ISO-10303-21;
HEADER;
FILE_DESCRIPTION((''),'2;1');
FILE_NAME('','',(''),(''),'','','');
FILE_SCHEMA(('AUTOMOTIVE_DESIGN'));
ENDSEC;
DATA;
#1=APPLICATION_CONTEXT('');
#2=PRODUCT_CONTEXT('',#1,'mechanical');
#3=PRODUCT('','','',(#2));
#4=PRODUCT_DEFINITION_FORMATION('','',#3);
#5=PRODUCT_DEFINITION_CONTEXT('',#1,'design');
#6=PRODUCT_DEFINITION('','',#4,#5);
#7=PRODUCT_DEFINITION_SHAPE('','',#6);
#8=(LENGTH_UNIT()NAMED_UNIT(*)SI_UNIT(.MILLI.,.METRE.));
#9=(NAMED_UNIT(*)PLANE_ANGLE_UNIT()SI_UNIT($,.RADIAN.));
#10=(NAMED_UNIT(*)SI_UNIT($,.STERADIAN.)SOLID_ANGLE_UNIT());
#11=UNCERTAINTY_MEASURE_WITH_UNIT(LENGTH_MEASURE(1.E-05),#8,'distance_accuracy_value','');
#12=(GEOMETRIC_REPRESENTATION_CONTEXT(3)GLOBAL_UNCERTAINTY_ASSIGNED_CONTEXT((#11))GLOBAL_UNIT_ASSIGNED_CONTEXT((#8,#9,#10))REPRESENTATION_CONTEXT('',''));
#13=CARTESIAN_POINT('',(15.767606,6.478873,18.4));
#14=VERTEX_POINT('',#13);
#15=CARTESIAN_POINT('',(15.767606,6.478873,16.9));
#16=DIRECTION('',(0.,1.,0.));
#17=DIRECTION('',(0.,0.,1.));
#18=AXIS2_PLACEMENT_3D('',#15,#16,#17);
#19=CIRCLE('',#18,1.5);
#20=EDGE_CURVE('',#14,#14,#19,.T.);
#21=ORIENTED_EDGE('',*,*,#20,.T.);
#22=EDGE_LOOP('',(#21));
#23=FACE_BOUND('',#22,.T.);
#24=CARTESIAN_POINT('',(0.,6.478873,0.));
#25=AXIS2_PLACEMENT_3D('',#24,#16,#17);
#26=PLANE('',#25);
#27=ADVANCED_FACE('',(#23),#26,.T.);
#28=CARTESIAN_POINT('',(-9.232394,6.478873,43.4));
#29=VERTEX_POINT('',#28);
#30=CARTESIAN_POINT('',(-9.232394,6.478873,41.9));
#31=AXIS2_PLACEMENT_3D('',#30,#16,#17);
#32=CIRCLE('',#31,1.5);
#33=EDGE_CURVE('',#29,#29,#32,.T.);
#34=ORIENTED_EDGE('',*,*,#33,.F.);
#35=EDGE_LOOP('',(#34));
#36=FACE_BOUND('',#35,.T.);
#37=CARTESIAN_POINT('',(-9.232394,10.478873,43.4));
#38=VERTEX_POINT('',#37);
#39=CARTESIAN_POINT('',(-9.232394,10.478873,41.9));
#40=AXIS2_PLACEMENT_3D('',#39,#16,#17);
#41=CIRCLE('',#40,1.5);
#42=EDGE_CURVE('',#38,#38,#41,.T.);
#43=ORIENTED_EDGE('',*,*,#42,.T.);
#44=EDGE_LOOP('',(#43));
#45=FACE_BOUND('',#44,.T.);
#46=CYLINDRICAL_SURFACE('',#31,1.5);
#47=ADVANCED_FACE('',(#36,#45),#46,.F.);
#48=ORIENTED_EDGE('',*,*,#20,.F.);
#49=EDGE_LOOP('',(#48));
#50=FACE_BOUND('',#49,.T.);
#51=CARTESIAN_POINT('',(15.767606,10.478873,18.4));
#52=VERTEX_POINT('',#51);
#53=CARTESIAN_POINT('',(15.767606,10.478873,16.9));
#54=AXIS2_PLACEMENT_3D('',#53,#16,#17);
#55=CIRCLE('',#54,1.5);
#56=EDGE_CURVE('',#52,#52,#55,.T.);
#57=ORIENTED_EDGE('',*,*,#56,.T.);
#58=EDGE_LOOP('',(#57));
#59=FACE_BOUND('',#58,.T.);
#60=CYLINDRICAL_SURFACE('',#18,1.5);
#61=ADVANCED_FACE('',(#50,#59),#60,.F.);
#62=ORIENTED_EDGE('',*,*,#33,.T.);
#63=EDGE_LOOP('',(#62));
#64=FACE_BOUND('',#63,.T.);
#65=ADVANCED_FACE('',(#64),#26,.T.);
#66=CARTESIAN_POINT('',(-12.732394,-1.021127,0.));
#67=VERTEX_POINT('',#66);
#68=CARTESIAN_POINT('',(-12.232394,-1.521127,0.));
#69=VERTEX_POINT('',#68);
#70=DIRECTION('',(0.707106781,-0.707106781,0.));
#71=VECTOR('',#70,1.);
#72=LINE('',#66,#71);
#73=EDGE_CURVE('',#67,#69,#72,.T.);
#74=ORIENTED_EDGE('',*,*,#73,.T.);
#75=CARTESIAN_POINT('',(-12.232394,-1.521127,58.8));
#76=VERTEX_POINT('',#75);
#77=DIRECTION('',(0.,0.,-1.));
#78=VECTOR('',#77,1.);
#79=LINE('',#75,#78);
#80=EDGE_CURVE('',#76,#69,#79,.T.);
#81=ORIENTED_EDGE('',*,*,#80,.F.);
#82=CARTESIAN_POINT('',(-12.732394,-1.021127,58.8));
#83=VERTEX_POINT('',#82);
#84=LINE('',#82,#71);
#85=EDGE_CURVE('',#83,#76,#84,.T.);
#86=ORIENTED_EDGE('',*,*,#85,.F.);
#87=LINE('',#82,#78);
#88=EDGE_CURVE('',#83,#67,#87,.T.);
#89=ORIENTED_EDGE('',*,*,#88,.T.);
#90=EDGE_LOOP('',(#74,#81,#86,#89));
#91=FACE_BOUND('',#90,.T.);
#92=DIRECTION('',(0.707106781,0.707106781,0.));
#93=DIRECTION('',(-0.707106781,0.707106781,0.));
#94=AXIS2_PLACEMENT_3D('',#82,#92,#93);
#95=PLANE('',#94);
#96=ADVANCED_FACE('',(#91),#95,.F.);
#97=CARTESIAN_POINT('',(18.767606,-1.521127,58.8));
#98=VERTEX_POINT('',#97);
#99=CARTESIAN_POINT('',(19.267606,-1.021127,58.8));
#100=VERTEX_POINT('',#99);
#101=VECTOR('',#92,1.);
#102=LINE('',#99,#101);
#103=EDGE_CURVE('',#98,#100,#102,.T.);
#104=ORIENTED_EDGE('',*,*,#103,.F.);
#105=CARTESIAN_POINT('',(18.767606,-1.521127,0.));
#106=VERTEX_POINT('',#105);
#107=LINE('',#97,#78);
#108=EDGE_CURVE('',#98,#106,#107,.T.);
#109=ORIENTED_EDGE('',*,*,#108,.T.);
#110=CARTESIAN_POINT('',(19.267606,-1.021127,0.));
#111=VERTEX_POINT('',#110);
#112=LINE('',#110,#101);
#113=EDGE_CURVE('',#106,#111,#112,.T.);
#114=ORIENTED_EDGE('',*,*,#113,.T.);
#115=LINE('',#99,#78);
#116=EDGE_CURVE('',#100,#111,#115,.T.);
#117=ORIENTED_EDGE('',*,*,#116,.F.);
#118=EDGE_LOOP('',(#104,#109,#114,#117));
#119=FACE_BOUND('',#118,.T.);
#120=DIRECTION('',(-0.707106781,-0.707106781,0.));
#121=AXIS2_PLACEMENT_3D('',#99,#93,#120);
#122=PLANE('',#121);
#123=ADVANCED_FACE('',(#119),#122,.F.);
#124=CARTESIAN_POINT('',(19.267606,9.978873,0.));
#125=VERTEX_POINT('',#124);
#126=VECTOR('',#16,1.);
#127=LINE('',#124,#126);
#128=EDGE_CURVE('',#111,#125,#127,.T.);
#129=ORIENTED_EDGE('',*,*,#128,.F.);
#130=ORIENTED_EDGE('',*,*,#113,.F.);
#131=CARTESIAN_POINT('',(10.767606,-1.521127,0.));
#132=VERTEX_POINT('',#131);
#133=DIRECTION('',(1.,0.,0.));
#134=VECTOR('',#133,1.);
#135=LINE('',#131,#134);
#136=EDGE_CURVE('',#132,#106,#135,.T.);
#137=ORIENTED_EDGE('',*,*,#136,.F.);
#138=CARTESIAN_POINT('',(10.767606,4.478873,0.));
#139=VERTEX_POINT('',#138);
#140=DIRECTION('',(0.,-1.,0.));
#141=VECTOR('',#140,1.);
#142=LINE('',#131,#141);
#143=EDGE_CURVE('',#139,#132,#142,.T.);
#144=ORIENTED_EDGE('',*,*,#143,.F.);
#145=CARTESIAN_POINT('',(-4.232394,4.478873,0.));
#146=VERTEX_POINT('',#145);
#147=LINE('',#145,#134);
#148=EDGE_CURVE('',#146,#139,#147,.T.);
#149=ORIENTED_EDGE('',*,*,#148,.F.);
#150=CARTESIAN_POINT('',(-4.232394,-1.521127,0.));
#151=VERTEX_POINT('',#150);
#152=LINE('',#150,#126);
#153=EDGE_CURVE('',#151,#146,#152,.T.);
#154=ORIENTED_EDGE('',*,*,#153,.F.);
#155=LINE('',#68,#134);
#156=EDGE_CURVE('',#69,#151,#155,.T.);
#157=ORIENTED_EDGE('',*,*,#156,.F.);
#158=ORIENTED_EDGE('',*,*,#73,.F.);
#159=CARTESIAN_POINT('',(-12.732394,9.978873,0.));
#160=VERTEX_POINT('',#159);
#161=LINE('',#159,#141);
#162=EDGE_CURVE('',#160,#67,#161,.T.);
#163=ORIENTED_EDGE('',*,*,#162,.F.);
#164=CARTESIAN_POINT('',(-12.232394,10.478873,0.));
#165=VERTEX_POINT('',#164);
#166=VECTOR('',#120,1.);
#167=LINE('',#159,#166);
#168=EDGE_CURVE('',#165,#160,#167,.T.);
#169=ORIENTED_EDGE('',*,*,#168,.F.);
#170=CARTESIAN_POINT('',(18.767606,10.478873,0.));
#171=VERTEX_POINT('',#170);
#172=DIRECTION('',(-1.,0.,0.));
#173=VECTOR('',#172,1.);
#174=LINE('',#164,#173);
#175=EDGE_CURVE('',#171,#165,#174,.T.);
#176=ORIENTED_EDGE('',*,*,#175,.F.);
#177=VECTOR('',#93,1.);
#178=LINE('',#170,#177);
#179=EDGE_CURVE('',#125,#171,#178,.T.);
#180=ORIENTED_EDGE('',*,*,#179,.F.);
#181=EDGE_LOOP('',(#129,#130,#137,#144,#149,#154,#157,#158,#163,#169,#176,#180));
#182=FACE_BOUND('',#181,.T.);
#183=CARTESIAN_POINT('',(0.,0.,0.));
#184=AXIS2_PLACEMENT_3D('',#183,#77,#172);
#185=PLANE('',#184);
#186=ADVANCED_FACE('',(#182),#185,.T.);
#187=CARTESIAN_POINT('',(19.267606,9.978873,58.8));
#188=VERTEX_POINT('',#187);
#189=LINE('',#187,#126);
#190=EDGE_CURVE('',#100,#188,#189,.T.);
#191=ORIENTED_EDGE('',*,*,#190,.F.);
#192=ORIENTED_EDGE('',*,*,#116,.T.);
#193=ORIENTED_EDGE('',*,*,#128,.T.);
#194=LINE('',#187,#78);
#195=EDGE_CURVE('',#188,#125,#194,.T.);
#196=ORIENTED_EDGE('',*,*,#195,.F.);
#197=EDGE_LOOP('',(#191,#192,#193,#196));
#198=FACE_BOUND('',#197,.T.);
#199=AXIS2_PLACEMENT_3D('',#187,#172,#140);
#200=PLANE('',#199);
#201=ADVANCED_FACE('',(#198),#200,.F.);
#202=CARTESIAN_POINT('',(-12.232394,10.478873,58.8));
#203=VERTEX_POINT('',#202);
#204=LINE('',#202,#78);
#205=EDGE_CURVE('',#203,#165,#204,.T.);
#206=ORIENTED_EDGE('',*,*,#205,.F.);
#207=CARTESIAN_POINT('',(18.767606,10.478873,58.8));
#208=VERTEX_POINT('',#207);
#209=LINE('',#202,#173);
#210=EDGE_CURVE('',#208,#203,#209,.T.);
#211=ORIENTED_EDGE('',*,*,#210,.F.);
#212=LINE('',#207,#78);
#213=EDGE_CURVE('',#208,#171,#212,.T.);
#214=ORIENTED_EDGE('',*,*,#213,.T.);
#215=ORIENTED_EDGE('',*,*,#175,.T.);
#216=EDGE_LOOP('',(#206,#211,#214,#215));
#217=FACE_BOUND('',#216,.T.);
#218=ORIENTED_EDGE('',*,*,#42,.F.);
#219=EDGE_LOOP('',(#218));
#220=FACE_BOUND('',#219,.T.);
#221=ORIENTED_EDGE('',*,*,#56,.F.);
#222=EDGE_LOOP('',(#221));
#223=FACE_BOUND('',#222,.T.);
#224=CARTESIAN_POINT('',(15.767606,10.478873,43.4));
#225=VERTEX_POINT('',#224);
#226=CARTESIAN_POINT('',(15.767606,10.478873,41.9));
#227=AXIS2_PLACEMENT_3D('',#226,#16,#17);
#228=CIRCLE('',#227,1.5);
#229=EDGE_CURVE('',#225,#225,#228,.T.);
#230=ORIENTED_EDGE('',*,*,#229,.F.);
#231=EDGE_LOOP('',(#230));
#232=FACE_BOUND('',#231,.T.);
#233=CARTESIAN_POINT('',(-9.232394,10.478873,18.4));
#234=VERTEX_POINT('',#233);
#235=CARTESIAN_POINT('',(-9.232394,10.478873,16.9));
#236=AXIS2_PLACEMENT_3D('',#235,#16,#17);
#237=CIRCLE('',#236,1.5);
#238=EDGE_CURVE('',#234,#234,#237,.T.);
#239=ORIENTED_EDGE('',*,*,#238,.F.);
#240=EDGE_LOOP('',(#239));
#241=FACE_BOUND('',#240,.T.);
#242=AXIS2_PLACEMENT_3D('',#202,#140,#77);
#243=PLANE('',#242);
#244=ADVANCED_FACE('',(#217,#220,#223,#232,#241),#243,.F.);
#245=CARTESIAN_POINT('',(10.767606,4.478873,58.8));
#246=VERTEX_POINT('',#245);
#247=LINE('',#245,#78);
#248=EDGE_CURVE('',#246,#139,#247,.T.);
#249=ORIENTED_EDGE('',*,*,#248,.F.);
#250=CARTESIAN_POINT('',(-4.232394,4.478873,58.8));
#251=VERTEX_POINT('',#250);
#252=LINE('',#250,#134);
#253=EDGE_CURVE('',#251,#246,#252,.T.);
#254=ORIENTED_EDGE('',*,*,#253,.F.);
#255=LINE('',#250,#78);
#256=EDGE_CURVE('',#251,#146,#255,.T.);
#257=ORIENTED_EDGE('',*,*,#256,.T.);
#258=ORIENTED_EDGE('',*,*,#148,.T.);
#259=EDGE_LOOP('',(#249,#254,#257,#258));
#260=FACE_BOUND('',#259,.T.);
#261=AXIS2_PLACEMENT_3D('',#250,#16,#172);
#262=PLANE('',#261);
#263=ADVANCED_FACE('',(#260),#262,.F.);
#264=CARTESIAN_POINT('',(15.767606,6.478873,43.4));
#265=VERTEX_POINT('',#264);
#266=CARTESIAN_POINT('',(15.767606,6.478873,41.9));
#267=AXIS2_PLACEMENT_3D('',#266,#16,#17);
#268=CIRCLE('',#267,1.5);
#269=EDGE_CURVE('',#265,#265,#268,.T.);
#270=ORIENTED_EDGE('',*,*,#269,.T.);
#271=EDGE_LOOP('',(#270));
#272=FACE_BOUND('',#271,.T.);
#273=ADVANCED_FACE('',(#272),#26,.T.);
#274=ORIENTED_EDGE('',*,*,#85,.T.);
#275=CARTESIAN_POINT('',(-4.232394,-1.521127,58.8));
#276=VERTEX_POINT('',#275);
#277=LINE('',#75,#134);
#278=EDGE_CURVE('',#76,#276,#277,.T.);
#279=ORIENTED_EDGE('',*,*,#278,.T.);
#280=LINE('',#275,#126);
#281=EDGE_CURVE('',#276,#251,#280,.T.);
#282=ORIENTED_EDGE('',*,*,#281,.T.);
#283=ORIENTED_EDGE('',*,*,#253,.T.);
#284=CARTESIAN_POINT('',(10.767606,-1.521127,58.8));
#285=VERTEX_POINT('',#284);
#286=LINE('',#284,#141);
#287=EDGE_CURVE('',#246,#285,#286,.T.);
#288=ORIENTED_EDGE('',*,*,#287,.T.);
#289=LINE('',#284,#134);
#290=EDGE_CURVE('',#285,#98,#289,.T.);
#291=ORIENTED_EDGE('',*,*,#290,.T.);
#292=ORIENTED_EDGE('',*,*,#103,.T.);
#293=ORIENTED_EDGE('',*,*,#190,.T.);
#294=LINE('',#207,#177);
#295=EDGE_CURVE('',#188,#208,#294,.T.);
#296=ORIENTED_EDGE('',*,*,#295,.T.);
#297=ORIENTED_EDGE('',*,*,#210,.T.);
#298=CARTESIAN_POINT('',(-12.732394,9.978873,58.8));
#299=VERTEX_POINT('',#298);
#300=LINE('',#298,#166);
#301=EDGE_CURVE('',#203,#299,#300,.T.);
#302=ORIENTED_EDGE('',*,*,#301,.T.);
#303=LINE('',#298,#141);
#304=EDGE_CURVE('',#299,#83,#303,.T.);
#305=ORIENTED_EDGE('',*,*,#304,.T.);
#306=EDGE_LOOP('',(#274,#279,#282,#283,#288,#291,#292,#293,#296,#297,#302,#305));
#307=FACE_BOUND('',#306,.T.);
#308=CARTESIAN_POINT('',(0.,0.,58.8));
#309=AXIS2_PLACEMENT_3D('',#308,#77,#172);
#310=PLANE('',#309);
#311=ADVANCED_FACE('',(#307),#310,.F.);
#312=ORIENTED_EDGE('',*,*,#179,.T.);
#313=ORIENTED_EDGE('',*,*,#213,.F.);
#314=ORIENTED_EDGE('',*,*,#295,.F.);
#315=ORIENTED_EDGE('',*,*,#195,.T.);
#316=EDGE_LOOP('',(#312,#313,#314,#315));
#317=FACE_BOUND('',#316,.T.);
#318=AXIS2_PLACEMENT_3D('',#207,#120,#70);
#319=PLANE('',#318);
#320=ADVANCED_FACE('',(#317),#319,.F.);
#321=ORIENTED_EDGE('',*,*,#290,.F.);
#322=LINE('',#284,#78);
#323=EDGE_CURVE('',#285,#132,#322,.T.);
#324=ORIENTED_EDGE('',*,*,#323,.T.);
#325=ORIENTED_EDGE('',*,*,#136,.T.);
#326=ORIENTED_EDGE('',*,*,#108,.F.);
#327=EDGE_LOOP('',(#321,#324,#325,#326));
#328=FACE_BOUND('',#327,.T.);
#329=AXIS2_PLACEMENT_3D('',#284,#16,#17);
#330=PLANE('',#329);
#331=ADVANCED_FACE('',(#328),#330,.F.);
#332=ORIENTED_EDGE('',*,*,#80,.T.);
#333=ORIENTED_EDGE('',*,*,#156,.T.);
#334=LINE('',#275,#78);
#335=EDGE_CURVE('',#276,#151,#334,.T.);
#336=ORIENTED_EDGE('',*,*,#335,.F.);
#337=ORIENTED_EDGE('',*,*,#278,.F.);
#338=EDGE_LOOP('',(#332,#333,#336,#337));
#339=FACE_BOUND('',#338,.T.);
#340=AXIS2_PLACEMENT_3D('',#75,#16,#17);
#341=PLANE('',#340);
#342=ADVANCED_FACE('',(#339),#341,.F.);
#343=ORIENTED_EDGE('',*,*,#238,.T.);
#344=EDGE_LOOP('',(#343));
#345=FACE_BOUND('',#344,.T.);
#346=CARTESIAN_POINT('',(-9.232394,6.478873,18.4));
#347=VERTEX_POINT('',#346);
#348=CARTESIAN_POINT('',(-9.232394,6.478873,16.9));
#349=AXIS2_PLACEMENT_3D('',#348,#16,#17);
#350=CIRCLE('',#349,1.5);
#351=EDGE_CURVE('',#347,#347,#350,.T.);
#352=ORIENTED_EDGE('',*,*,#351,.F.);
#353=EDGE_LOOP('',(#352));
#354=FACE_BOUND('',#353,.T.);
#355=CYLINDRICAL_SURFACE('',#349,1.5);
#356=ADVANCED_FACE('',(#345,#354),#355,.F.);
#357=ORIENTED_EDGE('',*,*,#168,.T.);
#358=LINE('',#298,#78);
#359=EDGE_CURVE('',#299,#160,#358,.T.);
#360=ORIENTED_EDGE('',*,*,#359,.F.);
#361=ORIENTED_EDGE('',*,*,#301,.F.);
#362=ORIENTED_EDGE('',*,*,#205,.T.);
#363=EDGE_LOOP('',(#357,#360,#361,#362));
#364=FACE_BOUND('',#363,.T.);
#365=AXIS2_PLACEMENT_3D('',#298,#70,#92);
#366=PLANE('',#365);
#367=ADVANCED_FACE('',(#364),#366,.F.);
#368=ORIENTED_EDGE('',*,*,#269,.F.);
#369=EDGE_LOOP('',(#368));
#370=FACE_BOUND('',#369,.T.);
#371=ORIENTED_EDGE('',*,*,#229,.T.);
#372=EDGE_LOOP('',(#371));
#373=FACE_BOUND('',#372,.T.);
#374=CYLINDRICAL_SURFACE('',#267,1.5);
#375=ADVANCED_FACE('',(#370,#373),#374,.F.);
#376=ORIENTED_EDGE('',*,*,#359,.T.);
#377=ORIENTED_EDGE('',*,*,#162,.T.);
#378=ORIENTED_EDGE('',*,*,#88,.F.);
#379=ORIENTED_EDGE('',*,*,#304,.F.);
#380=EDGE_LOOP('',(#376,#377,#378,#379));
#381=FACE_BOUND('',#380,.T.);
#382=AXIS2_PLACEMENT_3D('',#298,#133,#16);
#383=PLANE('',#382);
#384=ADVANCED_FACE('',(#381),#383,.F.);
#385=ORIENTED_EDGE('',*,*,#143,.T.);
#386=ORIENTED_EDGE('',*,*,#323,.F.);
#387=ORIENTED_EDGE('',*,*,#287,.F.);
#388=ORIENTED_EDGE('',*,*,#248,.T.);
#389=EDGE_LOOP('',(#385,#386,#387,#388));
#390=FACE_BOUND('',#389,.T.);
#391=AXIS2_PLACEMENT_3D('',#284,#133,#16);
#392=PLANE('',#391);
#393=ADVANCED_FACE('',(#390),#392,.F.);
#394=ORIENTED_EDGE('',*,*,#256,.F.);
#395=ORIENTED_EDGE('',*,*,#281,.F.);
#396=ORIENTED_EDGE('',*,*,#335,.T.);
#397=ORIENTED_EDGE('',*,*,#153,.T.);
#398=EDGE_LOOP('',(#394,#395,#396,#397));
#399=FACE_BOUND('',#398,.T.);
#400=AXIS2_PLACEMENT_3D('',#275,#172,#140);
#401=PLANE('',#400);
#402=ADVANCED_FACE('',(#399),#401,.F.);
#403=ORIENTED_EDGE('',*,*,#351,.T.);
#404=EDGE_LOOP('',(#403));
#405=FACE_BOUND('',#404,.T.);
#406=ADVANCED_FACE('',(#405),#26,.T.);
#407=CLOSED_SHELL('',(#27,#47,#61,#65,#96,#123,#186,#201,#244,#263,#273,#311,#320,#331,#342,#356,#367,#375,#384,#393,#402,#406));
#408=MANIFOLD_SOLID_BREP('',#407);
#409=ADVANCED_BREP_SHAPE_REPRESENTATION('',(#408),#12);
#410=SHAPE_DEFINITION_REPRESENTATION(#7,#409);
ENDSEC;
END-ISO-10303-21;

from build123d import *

# Parameters (mm, degrees)
EXTRUDE_2_DEPTH     = 58.8
SKETCH_2_R          = 1.5
CUT_EXTRUDE_1_DEPTH = 4


with BuildPart() as part:
    # 草图1 → 凸台-拉伸2 (new body)
    with BuildSketch(Plane.XY):
        Polygon((10.767605634, -1.521126761), (18.767605634, -1.521126761), (19.267605634, -1.021126761), (19.267605634, 9.978873239), (18.767605634, 10.478873239), (-12.232394366, 10.478873239), (-12.732394366, 9.978873239), (-12.732394366, -1.021126761), (-12.232394366, -1.521126761), (-4.232394366, -1.521126761), (-4.232394366, 4.478873239), (10.767605634, 4.478873239), align=None)
    extrude(amount=EXTRUDE_2_DEPTH)

    # 草图2 → 切除-拉伸1 (cut)
    with BuildSketch(Plane(origin=(0, 10.478873239, 0), x_dir=(1, 0, 0), z_dir=(0, 1, 0))):
        with Locations((-9.232394366, -41.9)):
            Circle(SKETCH_2_R)
        with Locations((-9.232394366, -16.9)):
            Circle(SKETCH_2_R)
        with Locations((15.767605634, -16.9)):
            Circle(SKETCH_2_R)
        with Locations((15.767605634, -41.9)):
            Circle(SKETCH_2_R)
    extrude(amount=-CUT_EXTRUDE_1_DEPTH, mode=Mode.SUBTRACT)


solid = part.part
